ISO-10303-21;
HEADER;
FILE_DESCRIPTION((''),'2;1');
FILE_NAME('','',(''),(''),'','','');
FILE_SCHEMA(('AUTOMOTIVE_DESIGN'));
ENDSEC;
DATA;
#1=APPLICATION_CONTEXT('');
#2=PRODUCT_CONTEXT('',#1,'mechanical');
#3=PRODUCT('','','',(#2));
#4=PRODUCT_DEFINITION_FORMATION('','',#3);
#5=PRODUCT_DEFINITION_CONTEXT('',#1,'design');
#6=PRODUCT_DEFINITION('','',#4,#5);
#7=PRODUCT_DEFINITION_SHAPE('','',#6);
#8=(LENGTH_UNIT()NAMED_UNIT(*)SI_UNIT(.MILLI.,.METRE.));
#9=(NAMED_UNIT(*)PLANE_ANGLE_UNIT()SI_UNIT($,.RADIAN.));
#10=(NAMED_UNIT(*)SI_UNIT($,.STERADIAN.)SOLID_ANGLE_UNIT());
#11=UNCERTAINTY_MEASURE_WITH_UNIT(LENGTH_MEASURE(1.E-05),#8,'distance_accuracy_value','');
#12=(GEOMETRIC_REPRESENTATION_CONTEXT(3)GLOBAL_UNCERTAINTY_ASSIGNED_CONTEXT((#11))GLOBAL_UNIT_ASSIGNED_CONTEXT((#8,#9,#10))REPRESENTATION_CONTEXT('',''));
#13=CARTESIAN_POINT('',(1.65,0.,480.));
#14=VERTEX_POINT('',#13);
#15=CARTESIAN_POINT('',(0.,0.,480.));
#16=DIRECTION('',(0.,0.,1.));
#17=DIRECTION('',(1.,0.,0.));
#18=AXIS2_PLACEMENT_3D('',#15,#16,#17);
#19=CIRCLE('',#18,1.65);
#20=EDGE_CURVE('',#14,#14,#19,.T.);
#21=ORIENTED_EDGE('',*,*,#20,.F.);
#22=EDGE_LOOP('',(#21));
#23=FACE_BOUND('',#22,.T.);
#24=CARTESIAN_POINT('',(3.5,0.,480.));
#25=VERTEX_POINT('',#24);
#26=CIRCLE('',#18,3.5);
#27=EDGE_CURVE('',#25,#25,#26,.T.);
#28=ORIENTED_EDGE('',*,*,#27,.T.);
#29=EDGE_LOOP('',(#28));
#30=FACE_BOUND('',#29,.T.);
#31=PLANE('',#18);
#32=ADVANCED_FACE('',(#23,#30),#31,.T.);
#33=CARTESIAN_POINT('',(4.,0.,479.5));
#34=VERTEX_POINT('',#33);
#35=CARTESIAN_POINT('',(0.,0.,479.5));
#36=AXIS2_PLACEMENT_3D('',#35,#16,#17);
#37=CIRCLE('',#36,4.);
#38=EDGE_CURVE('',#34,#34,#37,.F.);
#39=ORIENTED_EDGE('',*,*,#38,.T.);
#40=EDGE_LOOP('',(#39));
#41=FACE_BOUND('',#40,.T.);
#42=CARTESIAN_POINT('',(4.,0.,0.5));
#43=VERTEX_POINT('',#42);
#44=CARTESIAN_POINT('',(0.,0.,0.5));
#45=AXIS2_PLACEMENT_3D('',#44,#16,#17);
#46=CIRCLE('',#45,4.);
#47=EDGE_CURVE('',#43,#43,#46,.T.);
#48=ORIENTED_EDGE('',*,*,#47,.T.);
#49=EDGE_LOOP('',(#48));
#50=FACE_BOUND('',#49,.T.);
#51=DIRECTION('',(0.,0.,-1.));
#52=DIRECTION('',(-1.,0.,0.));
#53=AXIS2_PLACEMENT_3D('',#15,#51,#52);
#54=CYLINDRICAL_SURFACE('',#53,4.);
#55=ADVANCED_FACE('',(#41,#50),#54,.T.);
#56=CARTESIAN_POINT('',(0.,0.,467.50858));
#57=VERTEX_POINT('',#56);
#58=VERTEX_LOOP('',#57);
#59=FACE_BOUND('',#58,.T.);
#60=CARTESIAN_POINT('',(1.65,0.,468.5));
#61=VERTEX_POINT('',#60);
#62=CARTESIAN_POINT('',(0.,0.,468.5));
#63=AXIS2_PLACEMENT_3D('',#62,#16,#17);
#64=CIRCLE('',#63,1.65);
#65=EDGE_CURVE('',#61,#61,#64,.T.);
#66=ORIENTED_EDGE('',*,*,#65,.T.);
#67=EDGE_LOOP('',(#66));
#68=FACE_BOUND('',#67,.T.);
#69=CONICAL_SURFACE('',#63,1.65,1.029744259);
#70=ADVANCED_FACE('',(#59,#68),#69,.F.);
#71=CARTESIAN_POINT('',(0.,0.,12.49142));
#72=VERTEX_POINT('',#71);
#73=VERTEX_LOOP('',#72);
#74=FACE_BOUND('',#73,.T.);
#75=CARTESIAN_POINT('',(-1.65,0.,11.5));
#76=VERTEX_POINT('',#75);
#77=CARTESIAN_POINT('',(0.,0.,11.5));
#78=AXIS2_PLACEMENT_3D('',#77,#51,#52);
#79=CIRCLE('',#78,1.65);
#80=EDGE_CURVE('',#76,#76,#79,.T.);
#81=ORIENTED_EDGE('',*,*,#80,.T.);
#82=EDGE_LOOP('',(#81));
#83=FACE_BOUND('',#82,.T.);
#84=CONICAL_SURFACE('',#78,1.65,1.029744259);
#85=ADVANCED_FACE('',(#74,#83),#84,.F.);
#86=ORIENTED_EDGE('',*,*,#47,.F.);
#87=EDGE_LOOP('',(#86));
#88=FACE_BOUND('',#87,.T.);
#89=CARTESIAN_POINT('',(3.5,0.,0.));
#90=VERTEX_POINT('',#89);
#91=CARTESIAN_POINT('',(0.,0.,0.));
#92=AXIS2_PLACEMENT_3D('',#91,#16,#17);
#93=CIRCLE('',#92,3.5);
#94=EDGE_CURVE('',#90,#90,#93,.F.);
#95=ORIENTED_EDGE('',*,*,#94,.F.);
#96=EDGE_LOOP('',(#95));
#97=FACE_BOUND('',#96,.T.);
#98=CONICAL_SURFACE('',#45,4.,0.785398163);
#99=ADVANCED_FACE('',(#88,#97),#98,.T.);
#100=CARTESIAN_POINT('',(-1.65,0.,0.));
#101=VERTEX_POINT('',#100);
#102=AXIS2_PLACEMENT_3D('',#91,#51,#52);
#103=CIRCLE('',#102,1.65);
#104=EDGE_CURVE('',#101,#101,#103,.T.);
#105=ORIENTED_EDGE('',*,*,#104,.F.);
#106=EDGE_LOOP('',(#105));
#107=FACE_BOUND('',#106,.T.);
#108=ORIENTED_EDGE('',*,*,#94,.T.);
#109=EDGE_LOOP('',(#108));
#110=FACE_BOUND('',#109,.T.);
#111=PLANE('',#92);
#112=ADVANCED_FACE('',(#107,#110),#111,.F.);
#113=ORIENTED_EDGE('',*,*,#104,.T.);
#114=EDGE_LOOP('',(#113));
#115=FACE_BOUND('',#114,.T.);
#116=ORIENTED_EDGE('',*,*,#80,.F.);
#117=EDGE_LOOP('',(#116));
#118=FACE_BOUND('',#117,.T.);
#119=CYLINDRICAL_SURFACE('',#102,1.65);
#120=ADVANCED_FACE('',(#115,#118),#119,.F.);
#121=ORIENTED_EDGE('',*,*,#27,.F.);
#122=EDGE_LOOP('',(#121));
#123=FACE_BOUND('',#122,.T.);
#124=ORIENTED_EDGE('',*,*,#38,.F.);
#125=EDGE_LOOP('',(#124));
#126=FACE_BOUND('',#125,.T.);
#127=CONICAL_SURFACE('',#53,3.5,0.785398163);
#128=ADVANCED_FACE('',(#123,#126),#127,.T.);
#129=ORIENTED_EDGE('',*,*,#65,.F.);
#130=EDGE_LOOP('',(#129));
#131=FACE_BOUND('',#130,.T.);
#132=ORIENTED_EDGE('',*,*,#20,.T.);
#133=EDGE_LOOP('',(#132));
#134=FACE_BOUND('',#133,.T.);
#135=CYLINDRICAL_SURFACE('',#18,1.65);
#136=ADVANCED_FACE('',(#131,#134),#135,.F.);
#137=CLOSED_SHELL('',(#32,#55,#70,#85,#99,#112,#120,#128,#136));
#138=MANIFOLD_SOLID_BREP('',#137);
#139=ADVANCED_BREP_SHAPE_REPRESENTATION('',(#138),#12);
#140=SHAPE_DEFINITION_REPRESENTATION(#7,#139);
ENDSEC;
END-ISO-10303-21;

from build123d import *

# Parameters (mm, degrees)
ESQUISSE1_R           = 4
BOSS_EXTRU_1_DEPTH    = 480
CHANFREIN1_SIZE       = 0.5
TROU_TARAUD_M41_D     = 3.3
TROU_TARAUD_M41_DEPTH = 11.5
TROU_TARAUD_M41_TIP   = 0.991420021
TROU_TARAUD_M42_D     = 3.3
TROU_TARAUD_M42_DEPTH = 11.5
TROU_TARAUD_M42_TIP   = 0.991420021


with BuildPart() as part:
    # Esquisse1 → Boss.-Extru.1 (new body)
    with BuildSketch(Plane.XY):
        Circle(ESQUISSE1_R)
    extrude(amount=BOSS_EXTRU_1_DEPTH)

    # Chanfrein1
    chanfrein1_edges = [part.edges().sort_by_distance(p)[0] for p in [
        (-4, 0, 0),
        (-4, 0, 480),
    ]]
    chamfer(chanfrein1_edges, length=CHANFREIN1_SIZE)

    # Trou taraudé M41
    with Locations(Plane.XY.offset(480)):
        with Locations((0, 0)):
            Hole(TROU_TARAUD_M41_D / 2, depth=TROU_TARAUD_M41_DEPTH)
            with Locations((0, 0, -(TROU_TARAUD_M41_DEPTH + TROU_TARAUD_M41_TIP / 2))):  # 118° drill point
                Cone(0, TROU_TARAUD_M41_D / 2, TROU_TARAUD_M41_TIP, mode=Mode.SUBTRACT)

    # Trou taraudé M42
    with Locations(Plane(origin=(0, 0, 0), x_dir=(-1, 0, 0), z_dir=(0, 0, -1))):
        with Locations((0, 0)):
            Hole(TROU_TARAUD_M42_D / 2, depth=TROU_TARAUD_M42_DEPTH)
            with Locations((0, 0, -(TROU_TARAUD_M42_DEPTH + TROU_TARAUD_M42_TIP / 2))):  # 118° drill point
                Cone(0, TROU_TARAUD_M42_D / 2, TROU_TARAUD_M42_TIP, mode=Mode.SUBTRACT)


solid = part.part
